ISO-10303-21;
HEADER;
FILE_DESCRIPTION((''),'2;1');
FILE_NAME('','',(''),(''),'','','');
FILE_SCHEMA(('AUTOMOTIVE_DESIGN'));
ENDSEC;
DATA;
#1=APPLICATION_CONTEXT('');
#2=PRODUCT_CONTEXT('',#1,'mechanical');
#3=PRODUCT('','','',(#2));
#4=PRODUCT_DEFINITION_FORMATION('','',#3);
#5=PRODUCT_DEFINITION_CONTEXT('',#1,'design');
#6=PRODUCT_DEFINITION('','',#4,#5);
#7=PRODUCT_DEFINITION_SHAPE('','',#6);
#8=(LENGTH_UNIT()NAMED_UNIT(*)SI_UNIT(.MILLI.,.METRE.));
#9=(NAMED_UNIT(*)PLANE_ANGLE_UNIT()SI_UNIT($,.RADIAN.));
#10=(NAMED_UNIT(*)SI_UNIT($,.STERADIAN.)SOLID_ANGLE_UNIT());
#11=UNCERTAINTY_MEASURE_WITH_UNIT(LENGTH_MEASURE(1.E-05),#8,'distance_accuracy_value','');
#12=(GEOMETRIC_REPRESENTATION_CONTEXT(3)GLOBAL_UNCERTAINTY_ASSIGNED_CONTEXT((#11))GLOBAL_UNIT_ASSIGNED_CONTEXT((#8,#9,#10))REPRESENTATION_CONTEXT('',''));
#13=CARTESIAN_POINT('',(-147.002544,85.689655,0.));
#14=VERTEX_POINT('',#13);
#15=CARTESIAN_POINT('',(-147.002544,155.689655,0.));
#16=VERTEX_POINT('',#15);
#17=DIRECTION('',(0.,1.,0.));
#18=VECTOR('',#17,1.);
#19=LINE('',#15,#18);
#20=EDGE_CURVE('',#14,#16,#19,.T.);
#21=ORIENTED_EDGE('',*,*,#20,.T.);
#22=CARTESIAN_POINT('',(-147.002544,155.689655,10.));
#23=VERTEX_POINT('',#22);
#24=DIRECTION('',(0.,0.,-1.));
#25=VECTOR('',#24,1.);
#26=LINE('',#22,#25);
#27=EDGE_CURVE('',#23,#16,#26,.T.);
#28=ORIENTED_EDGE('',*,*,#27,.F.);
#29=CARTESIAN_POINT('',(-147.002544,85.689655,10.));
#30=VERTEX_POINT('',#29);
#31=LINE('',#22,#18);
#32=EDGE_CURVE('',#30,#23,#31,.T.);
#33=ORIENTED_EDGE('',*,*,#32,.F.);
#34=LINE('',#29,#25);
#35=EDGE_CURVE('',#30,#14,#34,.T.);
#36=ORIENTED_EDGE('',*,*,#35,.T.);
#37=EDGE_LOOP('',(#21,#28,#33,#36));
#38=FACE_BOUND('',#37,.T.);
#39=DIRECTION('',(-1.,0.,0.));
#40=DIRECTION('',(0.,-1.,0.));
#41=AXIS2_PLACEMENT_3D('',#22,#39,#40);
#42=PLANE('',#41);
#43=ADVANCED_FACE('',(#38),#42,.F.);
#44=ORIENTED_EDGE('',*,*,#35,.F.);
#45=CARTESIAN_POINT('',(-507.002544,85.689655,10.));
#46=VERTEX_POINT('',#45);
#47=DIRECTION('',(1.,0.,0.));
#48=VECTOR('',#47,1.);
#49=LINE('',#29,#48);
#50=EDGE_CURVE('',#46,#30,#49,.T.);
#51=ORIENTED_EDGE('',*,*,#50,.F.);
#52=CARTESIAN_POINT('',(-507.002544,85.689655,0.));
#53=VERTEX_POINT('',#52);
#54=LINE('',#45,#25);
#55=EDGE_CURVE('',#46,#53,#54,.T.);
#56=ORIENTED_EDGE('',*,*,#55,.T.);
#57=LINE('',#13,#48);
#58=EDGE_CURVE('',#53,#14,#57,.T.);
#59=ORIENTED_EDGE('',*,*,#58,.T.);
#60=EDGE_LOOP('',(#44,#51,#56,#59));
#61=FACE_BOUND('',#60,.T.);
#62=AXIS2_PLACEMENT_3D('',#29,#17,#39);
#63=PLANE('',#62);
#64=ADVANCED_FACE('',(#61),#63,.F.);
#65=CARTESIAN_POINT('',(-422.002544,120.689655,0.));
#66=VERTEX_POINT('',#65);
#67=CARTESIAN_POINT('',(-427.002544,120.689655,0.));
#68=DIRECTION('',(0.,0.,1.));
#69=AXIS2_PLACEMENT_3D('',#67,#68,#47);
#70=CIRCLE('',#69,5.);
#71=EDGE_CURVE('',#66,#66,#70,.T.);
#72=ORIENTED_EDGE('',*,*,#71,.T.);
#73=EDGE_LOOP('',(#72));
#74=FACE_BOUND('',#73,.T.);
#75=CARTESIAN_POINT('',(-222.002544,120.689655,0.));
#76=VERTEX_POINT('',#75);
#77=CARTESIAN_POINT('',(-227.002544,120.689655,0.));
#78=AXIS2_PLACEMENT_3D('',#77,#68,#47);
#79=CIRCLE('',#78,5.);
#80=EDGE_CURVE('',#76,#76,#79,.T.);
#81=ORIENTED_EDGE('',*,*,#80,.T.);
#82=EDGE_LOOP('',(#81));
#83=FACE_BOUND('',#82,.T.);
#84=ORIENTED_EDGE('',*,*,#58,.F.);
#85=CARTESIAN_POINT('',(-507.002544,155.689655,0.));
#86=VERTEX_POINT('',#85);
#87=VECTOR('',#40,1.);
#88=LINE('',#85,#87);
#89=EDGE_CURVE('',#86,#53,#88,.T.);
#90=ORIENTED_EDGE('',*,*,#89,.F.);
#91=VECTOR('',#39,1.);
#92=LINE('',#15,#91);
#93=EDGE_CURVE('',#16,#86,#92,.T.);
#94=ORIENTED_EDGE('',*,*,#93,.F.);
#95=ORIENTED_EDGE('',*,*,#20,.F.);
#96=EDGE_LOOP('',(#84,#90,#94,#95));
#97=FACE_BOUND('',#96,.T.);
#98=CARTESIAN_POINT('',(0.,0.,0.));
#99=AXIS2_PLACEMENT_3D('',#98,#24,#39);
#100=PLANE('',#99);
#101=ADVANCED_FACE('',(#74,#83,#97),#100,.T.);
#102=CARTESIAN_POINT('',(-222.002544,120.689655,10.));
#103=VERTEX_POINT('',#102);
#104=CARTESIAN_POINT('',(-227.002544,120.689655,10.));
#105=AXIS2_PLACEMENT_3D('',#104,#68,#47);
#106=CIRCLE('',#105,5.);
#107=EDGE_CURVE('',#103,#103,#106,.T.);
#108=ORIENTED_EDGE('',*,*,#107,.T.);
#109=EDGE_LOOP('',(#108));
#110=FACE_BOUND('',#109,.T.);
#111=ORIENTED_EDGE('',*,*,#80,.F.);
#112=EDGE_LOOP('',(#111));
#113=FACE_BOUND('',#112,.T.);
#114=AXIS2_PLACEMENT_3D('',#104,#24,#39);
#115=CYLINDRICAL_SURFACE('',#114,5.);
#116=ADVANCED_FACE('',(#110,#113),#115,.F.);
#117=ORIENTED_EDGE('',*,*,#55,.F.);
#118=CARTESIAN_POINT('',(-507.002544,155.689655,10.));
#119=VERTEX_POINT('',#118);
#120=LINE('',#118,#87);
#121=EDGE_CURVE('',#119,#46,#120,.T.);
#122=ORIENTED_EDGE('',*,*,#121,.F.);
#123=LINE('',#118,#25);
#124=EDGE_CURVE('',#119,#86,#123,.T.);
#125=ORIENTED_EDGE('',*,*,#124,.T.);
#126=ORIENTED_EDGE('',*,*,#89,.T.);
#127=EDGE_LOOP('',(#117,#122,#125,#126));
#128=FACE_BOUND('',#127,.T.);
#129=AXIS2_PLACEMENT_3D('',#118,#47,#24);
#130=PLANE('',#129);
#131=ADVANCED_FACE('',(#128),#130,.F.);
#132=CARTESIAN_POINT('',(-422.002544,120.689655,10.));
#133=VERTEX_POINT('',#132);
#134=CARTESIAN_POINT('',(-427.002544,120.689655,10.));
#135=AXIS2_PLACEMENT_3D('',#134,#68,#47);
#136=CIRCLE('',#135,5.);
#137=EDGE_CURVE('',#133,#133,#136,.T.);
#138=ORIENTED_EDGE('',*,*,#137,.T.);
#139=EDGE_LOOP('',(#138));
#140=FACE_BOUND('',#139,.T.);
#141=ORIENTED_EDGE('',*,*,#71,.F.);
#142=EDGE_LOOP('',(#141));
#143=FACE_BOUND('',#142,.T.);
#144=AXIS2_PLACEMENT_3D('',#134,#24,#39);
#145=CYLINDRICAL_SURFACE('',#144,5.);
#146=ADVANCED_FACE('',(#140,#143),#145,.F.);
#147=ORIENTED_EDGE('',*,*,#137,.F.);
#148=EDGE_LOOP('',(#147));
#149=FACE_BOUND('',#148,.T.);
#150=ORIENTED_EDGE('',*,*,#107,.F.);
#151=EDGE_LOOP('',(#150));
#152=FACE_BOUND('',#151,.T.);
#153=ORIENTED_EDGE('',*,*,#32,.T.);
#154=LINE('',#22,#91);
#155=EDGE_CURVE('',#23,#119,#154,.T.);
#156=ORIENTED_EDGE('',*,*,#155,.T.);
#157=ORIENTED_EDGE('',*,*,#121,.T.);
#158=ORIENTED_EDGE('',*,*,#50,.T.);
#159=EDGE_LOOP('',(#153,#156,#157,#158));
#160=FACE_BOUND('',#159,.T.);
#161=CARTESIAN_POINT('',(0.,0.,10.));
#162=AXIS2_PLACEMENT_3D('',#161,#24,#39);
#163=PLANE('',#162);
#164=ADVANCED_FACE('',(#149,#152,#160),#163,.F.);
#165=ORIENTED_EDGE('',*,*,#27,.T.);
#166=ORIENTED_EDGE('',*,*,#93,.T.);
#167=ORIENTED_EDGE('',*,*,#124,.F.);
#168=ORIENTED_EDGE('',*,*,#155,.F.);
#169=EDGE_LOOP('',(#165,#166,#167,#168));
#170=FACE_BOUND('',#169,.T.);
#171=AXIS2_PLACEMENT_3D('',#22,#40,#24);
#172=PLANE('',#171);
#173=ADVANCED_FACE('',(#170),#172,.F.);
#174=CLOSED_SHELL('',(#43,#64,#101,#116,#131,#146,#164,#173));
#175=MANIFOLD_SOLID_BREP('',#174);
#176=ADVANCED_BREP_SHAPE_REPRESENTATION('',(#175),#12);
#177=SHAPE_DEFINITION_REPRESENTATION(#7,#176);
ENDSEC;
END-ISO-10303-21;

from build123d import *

# Parameters (mm, degrees)
ESQUISSE1_W        = 360
ESQUISSE1_H        = 70
ESQUISSE1_R        = 5
BOSS_EXTRU_1_DEPTH = 10


with BuildPart() as part:
    # Esquisse1 → Boss.-Extru.1 (new body)
    with BuildSketch(Plane.XY):
        with Locations((-327.00254381, 120.689655172)):
            Rectangle(ESQUISSE1_W, ESQUISSE1_H)
        with Locations((-427.00254381, 120.689655172)):
            Circle(ESQUISSE1_R, mode=Mode.SUBTRACT)
        with Locations((-227.00254381, 120.689655172)):
            Circle(ESQUISSE1_R, mode=Mode.SUBTRACT)
    extrude(amount=BOSS_EXTRU_1_DEPTH)


solid = part.part
